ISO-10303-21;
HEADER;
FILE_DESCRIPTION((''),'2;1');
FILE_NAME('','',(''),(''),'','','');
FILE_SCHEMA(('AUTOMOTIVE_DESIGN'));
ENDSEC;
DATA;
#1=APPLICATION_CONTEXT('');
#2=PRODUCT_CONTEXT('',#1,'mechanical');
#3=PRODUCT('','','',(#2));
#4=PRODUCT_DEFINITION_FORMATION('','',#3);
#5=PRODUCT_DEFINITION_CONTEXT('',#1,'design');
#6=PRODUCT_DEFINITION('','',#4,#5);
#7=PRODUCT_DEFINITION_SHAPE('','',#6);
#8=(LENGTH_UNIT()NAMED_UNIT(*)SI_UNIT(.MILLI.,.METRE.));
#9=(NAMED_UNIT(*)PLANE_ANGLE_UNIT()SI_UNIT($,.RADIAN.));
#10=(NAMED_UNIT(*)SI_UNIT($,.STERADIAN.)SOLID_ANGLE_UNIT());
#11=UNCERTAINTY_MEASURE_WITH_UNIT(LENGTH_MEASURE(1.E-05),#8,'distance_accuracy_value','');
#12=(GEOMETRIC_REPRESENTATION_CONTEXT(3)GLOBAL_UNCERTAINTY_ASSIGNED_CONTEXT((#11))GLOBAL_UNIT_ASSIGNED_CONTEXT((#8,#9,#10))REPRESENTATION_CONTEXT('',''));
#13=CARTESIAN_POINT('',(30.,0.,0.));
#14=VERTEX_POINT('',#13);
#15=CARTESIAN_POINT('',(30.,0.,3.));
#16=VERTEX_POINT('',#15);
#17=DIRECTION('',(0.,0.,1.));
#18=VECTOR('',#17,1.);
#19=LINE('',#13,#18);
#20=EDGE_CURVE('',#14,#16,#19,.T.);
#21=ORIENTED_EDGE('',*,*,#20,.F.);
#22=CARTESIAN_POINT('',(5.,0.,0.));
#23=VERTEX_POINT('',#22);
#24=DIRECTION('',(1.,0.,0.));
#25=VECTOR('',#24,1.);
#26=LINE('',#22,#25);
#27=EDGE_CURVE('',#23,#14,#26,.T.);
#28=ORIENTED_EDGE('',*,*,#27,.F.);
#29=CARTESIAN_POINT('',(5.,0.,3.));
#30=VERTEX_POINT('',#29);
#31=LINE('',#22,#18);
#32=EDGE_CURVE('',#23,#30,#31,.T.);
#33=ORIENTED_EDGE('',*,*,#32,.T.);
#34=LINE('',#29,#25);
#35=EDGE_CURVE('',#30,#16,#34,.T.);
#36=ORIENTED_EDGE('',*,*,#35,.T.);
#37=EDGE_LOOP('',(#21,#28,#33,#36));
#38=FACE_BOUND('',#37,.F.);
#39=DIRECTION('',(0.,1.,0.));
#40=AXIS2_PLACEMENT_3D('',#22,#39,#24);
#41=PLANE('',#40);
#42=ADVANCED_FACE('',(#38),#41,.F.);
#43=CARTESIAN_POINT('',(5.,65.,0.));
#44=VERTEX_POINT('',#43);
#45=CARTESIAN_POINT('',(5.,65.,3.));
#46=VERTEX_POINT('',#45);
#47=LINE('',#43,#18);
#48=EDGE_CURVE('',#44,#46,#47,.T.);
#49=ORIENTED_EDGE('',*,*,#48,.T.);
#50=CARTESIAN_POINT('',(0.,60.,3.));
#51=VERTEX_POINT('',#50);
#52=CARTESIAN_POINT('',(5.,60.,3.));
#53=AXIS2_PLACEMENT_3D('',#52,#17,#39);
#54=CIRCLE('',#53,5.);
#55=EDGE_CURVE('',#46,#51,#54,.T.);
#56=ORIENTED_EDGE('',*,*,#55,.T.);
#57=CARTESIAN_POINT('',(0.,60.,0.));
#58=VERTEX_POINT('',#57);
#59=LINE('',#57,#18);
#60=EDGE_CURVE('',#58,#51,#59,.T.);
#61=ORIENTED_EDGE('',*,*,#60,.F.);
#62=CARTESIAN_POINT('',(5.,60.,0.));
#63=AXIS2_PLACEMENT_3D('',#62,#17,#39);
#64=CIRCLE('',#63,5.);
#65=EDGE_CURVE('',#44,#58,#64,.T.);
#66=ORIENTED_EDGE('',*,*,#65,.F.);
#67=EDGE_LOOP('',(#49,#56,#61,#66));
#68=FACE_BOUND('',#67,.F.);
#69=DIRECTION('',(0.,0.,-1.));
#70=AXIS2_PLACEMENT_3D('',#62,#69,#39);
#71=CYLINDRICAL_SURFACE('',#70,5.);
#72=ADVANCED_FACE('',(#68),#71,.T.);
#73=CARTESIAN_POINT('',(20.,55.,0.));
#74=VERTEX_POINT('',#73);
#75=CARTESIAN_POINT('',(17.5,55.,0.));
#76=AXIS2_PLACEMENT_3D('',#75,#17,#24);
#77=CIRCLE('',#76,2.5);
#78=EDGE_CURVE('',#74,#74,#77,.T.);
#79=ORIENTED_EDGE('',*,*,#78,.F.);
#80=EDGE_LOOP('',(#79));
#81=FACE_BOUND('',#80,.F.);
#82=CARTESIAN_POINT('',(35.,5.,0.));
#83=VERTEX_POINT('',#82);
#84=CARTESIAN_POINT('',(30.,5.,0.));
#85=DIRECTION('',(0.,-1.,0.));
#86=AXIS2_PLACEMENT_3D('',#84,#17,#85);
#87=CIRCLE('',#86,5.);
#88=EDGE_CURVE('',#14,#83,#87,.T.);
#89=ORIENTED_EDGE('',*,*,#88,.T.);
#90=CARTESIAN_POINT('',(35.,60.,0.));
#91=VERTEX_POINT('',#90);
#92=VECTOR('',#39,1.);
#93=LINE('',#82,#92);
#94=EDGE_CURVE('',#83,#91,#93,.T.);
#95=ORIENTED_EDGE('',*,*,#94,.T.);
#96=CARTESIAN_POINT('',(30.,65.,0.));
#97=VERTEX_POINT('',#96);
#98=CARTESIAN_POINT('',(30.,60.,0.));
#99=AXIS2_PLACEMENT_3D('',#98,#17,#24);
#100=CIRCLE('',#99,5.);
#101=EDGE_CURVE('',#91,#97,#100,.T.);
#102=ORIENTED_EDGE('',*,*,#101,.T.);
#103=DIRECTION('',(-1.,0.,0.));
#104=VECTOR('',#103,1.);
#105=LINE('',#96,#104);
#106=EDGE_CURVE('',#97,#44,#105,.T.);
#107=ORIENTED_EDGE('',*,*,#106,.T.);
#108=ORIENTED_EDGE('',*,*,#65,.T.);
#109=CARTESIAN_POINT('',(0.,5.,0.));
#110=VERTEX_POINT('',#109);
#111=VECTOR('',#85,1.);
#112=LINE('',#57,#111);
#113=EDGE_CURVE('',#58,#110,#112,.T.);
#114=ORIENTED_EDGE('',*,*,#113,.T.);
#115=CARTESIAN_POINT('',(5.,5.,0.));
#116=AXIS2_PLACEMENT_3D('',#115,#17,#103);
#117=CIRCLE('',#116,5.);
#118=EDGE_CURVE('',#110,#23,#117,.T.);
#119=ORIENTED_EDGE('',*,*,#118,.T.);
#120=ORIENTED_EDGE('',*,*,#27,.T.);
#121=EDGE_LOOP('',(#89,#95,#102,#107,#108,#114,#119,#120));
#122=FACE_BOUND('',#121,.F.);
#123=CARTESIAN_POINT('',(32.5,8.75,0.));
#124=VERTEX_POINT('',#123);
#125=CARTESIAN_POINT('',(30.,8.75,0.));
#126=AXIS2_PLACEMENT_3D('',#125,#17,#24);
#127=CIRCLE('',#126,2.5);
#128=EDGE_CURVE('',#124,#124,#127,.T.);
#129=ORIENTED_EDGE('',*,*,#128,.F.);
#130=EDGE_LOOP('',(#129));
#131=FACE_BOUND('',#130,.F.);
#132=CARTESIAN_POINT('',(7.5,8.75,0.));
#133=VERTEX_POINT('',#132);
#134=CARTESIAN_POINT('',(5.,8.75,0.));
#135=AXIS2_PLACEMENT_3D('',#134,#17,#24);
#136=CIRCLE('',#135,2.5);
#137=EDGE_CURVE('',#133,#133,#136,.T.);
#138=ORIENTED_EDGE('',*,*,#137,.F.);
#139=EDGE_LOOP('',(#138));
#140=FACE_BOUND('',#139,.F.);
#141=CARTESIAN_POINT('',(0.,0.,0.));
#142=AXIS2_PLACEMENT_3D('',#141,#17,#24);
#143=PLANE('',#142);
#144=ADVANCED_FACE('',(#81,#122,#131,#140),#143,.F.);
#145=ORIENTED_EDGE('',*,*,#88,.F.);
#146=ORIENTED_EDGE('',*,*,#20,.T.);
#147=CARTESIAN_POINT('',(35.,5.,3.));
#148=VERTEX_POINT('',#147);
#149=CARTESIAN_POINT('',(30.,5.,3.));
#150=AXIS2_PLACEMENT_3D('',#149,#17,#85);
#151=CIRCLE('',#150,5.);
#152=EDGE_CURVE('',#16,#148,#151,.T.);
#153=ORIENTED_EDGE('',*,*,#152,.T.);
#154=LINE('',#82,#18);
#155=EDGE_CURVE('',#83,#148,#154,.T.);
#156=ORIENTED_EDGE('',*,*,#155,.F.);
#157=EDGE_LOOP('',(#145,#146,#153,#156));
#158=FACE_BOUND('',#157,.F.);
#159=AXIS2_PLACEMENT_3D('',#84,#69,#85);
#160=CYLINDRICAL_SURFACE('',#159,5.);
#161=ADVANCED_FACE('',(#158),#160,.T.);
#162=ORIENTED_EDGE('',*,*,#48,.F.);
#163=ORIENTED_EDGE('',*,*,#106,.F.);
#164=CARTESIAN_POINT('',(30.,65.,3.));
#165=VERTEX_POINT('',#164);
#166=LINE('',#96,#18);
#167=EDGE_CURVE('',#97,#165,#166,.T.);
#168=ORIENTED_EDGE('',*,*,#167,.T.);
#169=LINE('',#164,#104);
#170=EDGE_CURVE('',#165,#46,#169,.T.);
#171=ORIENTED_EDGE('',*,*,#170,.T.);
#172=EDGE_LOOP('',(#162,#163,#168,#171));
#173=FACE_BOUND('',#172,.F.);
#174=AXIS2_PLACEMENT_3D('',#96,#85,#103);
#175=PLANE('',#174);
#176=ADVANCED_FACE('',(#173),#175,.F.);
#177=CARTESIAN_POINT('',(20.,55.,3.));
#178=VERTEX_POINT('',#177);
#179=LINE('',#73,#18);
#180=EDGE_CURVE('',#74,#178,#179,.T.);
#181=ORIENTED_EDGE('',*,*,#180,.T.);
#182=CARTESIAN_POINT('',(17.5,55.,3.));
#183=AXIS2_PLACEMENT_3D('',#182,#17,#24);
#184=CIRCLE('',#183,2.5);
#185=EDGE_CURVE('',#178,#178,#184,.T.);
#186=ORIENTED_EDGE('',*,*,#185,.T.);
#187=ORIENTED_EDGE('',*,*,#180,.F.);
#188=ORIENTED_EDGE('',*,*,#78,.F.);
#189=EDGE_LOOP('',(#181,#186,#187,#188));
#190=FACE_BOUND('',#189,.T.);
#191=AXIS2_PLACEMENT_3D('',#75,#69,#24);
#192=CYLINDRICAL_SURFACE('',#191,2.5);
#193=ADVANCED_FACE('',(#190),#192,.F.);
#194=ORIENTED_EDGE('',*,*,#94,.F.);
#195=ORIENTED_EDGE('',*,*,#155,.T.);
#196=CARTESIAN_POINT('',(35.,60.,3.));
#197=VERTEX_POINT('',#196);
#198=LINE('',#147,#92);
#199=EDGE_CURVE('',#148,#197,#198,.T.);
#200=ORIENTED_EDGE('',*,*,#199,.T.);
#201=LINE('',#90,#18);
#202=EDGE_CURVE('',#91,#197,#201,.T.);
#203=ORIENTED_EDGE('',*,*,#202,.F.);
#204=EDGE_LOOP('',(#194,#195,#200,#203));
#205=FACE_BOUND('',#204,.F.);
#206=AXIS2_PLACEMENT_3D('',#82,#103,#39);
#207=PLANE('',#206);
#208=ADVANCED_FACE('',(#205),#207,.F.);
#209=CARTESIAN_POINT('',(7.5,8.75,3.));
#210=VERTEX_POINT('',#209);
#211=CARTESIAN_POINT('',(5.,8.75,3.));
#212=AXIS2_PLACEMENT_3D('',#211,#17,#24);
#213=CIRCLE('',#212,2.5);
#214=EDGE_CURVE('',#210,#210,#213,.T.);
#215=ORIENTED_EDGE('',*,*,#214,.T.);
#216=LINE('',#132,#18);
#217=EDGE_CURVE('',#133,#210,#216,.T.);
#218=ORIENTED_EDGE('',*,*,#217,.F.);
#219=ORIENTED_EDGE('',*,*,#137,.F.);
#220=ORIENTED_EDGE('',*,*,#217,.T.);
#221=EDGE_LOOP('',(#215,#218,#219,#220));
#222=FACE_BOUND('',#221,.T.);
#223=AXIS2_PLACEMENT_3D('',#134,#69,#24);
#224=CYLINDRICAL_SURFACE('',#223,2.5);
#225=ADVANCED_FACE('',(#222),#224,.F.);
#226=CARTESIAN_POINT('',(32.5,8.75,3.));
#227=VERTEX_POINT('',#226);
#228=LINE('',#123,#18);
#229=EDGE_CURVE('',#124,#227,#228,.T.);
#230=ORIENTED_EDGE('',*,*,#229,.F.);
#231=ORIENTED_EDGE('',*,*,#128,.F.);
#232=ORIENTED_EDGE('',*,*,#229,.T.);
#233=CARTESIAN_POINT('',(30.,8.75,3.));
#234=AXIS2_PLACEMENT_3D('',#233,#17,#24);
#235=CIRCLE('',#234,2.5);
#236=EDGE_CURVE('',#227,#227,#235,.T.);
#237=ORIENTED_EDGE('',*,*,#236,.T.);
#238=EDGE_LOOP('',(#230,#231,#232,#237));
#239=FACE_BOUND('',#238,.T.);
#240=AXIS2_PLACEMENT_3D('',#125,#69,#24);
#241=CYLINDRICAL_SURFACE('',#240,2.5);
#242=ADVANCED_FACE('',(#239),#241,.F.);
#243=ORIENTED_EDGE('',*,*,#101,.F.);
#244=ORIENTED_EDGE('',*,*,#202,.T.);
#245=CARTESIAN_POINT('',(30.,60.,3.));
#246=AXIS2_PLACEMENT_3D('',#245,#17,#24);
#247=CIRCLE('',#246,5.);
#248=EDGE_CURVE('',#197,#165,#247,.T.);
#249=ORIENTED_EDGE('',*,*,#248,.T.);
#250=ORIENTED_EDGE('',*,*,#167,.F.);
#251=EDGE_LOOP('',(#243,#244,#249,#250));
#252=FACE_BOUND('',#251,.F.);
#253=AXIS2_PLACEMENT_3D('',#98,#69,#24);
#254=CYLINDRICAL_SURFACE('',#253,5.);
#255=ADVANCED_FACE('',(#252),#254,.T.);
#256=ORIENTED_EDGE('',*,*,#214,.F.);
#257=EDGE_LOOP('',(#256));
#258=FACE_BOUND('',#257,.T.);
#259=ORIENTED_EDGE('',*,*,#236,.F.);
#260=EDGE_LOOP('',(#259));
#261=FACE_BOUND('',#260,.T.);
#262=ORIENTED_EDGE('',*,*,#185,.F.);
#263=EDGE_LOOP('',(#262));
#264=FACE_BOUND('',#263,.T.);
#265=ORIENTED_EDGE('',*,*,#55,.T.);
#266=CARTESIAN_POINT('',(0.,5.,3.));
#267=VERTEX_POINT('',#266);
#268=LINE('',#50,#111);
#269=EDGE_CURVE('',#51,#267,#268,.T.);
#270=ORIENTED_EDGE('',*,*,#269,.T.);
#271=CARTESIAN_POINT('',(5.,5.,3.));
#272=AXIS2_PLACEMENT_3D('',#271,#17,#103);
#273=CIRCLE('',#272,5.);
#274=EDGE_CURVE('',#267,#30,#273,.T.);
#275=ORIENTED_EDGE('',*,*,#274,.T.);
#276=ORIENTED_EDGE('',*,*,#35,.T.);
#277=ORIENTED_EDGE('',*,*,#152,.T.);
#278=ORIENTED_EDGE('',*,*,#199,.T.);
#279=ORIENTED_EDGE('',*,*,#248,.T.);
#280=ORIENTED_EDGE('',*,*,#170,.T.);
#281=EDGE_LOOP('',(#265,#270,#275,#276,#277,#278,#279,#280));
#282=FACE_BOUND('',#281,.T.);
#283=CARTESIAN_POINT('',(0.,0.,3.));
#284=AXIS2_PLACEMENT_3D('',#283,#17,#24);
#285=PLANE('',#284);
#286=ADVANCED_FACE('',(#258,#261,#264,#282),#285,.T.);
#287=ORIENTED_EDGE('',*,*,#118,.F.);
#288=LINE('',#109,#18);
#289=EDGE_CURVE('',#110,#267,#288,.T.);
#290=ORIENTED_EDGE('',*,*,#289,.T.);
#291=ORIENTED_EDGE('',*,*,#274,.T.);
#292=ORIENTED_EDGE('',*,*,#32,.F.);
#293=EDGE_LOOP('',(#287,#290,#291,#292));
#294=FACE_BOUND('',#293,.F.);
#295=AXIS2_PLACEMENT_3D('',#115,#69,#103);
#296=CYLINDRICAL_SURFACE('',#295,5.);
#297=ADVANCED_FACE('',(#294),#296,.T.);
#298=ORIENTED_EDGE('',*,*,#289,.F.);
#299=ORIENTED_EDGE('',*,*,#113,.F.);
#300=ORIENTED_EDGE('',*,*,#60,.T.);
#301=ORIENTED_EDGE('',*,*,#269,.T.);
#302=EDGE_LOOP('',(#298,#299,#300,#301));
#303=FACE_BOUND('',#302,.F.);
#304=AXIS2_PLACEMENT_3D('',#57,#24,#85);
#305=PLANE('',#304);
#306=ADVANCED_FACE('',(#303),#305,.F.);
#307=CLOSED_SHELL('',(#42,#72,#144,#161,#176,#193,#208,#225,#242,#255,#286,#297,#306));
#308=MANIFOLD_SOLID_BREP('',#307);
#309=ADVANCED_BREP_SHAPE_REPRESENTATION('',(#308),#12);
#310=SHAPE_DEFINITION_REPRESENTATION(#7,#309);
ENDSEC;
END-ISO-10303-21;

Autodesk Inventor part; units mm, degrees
ref_plane "YZ Plane" through (0, 0, 0) normal (1, 0, 0) x (0, 1, 0)
ref_plane "XZ Plane" through (0, 0, 0) normal (0, 1, 0) x (-1, 0, 0)
ref_plane "XY Plane" through (0, 0, 0) normal (0, 0, 1) x (1, 0, 0)
sketch "Boceto1" plane through (0, 0, 0) normal (0, 0, 1) x (1, 0, 0)
  line L0 (5, 0) -> (30, 0)
  line L1 (35, 5) -> (35, 60)
  line L2 (30, 65) -> (5, 65)
  line L3 (0, 60) -> (0, 5)
  arc A0 (5, 65) -> (0, 60) centre (5, 60) ccw
  arc A1 (35, 60) -> (30, 65) centre (30, 60) ccw
  arc A2 (0, 5) -> (5, 0) centre (5, 5) ccw
  arc A3 (30, 0) -> (35, 5) centre (30, 5) ccw
  circle A4 centre (17.5, 55) radius 2.5
  circle A5 centre (5, 8.75) radius 2.5
  circle A6 centre (30, 8.75) radius 2.5
  point P0 (0, 0)
extrude "Extrusión1" add sketch "Boceto1" along normal blind 3
properties part number "6"
